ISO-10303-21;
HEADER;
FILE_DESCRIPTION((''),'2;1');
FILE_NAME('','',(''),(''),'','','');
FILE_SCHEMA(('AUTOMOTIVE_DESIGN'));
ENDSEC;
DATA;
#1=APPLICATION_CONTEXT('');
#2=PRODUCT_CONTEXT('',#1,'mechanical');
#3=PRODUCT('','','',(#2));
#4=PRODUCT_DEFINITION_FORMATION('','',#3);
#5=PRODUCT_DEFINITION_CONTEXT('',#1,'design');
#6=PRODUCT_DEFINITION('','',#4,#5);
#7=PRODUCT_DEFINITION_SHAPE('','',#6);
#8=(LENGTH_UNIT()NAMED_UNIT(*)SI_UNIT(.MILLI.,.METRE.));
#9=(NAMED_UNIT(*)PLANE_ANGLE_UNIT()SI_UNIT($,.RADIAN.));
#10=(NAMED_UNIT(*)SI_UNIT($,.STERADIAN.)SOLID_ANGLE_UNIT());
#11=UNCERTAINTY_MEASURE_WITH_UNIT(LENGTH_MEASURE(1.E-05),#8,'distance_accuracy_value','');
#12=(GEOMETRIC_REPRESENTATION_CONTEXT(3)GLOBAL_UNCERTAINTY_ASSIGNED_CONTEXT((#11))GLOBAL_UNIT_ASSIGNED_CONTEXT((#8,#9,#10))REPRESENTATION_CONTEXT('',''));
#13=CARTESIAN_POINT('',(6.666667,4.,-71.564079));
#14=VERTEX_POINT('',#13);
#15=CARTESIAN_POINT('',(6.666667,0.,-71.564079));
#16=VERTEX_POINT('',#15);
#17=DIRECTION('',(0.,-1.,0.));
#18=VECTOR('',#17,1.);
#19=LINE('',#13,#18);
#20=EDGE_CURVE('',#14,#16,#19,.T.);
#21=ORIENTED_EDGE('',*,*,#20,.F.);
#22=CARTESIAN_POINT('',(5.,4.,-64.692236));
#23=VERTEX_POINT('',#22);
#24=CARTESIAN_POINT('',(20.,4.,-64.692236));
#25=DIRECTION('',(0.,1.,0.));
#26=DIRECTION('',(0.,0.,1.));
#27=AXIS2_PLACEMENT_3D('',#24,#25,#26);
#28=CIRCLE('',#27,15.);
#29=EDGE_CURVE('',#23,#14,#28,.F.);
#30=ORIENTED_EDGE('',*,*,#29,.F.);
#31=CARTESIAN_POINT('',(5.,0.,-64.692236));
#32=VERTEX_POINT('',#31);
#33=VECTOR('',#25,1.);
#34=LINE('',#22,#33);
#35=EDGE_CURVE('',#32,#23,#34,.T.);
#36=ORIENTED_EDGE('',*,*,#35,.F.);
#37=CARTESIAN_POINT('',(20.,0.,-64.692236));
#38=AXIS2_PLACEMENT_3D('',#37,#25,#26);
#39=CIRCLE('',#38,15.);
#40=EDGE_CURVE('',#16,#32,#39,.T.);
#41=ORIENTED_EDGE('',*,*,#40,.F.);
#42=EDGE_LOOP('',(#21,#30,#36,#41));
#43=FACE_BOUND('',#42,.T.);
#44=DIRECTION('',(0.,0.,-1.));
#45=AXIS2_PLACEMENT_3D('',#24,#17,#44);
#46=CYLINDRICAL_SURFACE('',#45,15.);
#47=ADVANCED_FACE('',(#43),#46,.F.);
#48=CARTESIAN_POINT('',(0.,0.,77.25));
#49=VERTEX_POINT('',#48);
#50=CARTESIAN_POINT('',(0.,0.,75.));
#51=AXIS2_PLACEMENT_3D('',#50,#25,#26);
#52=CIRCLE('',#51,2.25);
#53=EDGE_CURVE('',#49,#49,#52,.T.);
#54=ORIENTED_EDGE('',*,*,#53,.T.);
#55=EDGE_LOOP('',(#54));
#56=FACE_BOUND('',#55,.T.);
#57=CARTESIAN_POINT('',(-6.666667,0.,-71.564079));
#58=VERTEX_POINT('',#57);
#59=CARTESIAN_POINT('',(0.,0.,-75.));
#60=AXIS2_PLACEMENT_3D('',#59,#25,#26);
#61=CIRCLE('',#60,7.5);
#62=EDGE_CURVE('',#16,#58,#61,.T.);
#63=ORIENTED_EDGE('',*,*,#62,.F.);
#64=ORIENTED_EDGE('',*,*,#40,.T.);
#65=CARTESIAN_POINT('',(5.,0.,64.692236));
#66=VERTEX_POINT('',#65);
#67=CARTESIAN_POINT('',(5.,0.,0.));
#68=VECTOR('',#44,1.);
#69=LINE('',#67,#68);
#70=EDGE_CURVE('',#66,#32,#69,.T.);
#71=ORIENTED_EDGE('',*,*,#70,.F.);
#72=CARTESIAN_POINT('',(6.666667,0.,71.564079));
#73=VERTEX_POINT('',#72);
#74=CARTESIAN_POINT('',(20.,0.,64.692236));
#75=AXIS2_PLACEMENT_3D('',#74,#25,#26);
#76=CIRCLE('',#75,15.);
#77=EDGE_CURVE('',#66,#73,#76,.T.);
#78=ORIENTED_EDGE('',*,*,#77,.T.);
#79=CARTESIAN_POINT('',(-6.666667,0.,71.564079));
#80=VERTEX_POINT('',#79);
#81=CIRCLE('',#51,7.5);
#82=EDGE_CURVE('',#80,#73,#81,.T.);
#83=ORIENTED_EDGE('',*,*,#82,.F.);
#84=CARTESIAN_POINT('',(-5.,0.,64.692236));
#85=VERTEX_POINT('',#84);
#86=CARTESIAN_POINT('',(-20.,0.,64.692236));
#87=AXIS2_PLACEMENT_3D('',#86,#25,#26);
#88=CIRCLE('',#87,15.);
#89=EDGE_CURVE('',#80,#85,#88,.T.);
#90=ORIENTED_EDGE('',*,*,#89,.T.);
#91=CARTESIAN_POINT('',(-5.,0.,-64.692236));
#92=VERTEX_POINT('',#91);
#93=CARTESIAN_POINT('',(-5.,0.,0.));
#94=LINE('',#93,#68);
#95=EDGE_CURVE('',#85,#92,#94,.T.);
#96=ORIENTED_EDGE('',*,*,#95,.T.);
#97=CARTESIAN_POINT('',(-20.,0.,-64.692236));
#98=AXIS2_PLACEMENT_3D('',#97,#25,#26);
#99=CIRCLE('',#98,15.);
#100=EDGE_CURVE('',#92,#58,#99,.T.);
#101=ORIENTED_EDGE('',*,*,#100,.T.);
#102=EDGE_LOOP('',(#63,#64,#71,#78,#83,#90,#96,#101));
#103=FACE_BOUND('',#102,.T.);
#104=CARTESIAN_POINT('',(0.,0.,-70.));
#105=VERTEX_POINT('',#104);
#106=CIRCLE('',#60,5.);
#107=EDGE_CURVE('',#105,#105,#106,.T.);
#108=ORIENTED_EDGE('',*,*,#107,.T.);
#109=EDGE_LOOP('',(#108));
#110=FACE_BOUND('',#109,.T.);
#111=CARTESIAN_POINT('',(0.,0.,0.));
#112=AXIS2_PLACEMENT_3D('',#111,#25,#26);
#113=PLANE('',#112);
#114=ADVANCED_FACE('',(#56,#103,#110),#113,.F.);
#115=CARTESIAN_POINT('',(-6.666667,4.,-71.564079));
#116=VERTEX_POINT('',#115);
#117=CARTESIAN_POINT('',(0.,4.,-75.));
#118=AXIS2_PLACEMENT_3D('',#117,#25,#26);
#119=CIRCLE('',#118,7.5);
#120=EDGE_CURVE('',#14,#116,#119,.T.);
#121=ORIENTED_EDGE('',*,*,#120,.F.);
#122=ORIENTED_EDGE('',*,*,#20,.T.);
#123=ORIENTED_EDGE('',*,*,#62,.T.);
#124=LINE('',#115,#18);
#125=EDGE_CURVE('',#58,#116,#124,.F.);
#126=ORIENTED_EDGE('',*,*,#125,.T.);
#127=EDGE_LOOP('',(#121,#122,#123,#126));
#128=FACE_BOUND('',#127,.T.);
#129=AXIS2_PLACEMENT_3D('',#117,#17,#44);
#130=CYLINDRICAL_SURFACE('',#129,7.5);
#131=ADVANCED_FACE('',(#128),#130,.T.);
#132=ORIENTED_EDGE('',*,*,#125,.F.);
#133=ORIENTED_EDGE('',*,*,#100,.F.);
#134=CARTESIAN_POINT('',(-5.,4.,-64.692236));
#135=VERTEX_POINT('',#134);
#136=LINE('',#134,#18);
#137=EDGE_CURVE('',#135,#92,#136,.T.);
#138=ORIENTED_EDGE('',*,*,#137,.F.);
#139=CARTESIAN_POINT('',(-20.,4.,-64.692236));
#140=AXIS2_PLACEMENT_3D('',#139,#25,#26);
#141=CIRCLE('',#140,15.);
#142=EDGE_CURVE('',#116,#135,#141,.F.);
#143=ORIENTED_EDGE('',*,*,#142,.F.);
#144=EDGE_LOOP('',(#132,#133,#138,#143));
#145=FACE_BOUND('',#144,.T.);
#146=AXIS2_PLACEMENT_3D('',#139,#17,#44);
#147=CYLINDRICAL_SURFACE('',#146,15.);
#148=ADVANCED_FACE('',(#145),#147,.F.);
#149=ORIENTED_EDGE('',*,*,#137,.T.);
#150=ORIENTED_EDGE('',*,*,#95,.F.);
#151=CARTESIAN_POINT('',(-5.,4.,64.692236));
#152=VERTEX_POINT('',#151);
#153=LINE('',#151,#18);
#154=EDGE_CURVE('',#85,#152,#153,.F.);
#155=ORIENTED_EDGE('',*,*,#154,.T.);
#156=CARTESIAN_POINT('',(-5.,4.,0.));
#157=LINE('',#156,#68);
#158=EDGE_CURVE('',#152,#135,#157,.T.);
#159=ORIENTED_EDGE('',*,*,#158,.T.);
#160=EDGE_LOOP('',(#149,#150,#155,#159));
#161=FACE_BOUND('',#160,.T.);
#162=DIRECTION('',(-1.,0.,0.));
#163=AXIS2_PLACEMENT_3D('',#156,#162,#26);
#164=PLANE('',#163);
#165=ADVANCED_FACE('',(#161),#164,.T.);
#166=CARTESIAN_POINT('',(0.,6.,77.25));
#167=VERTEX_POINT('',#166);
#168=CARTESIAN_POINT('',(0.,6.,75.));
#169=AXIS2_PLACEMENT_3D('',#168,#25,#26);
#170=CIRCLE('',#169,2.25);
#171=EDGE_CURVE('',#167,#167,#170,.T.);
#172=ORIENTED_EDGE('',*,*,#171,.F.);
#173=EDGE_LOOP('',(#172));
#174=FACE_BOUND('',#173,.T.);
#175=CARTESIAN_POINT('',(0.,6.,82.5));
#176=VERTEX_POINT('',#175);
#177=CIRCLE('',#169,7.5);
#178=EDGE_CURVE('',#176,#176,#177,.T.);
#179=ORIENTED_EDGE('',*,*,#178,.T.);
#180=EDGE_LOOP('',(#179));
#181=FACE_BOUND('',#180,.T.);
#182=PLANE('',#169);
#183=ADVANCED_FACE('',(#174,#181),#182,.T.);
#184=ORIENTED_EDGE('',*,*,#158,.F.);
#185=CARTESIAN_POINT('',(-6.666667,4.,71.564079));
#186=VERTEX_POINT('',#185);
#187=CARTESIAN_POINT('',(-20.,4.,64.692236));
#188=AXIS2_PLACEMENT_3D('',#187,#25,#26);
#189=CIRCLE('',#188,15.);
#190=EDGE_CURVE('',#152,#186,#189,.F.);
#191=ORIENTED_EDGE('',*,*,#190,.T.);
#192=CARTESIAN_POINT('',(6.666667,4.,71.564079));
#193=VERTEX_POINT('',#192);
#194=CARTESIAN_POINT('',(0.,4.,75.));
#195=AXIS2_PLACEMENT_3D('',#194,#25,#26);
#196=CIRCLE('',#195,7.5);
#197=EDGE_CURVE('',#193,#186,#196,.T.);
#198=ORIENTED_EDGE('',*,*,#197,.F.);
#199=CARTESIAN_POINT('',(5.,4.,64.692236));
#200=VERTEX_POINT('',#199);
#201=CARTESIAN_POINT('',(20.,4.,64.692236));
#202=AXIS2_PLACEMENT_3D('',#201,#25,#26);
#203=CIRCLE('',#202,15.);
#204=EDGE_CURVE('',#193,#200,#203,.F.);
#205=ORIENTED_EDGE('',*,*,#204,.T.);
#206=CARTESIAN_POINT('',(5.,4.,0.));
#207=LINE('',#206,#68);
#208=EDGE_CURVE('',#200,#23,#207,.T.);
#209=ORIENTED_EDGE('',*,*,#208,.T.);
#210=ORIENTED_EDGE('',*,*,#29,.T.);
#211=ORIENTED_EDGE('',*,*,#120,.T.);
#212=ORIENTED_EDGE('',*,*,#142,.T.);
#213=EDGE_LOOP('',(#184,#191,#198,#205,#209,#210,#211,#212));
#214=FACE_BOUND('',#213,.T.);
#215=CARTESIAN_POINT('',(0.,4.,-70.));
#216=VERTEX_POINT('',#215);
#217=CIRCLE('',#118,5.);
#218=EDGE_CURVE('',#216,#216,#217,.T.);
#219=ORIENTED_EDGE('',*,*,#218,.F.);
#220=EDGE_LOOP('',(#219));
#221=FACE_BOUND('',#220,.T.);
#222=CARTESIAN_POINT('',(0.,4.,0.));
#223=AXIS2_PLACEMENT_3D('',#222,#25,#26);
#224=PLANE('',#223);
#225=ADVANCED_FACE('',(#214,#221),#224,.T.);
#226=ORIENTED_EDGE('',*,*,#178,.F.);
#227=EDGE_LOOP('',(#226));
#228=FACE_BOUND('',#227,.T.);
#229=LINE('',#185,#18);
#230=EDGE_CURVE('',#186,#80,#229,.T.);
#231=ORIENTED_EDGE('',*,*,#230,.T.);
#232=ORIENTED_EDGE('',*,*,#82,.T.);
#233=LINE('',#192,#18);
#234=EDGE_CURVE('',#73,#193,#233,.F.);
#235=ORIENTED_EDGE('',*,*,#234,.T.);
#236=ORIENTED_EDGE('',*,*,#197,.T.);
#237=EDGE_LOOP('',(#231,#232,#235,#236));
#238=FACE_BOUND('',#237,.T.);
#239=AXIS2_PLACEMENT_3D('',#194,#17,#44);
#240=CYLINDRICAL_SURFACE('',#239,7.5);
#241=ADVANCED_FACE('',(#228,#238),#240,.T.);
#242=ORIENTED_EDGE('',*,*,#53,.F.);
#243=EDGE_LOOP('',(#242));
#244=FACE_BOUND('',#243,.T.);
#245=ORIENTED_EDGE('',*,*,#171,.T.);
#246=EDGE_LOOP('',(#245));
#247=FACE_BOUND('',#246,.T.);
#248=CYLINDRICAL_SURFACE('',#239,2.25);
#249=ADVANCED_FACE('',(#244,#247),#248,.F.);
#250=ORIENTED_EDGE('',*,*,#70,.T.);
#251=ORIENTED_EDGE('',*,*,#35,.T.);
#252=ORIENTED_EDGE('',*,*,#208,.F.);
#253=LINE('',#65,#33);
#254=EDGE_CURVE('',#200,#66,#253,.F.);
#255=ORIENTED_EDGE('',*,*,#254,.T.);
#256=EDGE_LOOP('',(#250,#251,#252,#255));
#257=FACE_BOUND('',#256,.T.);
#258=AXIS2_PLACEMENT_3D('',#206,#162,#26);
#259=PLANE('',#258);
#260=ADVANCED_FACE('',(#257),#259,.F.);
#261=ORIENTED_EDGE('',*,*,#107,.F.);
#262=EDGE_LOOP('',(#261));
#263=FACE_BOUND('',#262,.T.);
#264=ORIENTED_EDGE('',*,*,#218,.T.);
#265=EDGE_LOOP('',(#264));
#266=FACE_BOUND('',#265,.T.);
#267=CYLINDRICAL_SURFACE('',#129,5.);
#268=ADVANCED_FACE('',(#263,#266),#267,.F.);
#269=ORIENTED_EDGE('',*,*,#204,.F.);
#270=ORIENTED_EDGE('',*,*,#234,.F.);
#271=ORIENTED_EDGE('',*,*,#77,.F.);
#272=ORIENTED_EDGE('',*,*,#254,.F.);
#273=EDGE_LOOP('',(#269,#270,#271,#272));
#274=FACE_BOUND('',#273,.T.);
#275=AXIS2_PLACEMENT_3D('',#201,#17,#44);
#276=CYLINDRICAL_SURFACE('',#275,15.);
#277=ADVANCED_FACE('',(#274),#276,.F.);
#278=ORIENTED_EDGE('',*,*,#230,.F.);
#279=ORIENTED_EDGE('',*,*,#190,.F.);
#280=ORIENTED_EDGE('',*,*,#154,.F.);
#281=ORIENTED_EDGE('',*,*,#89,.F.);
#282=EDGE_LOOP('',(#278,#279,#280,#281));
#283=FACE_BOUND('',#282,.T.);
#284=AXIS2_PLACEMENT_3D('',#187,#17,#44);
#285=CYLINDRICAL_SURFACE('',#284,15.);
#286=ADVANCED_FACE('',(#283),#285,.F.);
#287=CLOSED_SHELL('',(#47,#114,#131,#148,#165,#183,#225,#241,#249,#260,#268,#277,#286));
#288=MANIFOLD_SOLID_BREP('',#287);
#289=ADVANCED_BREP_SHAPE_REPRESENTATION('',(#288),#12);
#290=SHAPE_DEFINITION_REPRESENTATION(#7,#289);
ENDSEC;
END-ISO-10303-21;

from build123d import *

# Parameters (mm, degrees)
SKETCH1_R           = 2.25
SKETCH1_R_2         = 5
BOSS_EXTRUDE1_DEPTH = 4
FILLET1_R           = 15
SKETCH2_R           = 7.5
SKETCH2_R_2         = 2.25
BOSS_EXTRUDE2_DEPTH = 2


with BuildPart() as part:
    # Sketch1 → Boss-Extrude1 (new body)
    with BuildSketch(Plane(origin=(0, 0, 0), x_dir=(1, 0, 0), z_dir=(0, 1, 0))):
        with BuildLine():
            ThreePointArc((-5, -69.409830056), (0, -82.5), (5, -69.409830056))
            Line((5, -69.409830056), (5, 69.409830056))
            ThreePointArc((5, 69.409830056), (0, 82.5), (-5, 69.409830056))
            Line((-5, 69.409830056), (-5, -69.409830056))
        make_face()
        with Locations(Location((0, -75, 0), (0, 0, 270))):
            Circle(SKETCH1_R, mode=Mode.SUBTRACT)
        with Locations(Location((0, 75, 0), (0, 0, 270))):
            Circle(SKETCH1_R_2, mode=Mode.SUBTRACT)
    extrude(amount=BOSS_EXTRUDE1_DEPTH)

    # Fillet1
    fillet1_edges = [part.edges().sort_by_distance(p)[0] for p in [
        (-5, 2, 69.409830056),
        (-5, 2, -69.409830056),
        (5, 2, -69.409830056),
        (5, 2, 69.409830056),
    ]]
    fillet(fillet1_edges, radius=FILLET1_R)

    # Sketch2 → Boss-Extrude2 (add)
    with BuildSketch(Plane(origin=(0, 4, 0), x_dir=(1, 0, 0), z_dir=(0, 1, 0))):
        with Locations(Location((0, -75, 0), (0, 0, 27.266044451))):
            Circle(SKETCH2_R)
        with Locations(Location((0, -75, 0), (0, 0, 270))):
            Circle(SKETCH2_R_2, mode=Mode.SUBTRACT)
    extrude(amount=BOSS_EXTRUDE2_DEPTH)


solid = part.part
